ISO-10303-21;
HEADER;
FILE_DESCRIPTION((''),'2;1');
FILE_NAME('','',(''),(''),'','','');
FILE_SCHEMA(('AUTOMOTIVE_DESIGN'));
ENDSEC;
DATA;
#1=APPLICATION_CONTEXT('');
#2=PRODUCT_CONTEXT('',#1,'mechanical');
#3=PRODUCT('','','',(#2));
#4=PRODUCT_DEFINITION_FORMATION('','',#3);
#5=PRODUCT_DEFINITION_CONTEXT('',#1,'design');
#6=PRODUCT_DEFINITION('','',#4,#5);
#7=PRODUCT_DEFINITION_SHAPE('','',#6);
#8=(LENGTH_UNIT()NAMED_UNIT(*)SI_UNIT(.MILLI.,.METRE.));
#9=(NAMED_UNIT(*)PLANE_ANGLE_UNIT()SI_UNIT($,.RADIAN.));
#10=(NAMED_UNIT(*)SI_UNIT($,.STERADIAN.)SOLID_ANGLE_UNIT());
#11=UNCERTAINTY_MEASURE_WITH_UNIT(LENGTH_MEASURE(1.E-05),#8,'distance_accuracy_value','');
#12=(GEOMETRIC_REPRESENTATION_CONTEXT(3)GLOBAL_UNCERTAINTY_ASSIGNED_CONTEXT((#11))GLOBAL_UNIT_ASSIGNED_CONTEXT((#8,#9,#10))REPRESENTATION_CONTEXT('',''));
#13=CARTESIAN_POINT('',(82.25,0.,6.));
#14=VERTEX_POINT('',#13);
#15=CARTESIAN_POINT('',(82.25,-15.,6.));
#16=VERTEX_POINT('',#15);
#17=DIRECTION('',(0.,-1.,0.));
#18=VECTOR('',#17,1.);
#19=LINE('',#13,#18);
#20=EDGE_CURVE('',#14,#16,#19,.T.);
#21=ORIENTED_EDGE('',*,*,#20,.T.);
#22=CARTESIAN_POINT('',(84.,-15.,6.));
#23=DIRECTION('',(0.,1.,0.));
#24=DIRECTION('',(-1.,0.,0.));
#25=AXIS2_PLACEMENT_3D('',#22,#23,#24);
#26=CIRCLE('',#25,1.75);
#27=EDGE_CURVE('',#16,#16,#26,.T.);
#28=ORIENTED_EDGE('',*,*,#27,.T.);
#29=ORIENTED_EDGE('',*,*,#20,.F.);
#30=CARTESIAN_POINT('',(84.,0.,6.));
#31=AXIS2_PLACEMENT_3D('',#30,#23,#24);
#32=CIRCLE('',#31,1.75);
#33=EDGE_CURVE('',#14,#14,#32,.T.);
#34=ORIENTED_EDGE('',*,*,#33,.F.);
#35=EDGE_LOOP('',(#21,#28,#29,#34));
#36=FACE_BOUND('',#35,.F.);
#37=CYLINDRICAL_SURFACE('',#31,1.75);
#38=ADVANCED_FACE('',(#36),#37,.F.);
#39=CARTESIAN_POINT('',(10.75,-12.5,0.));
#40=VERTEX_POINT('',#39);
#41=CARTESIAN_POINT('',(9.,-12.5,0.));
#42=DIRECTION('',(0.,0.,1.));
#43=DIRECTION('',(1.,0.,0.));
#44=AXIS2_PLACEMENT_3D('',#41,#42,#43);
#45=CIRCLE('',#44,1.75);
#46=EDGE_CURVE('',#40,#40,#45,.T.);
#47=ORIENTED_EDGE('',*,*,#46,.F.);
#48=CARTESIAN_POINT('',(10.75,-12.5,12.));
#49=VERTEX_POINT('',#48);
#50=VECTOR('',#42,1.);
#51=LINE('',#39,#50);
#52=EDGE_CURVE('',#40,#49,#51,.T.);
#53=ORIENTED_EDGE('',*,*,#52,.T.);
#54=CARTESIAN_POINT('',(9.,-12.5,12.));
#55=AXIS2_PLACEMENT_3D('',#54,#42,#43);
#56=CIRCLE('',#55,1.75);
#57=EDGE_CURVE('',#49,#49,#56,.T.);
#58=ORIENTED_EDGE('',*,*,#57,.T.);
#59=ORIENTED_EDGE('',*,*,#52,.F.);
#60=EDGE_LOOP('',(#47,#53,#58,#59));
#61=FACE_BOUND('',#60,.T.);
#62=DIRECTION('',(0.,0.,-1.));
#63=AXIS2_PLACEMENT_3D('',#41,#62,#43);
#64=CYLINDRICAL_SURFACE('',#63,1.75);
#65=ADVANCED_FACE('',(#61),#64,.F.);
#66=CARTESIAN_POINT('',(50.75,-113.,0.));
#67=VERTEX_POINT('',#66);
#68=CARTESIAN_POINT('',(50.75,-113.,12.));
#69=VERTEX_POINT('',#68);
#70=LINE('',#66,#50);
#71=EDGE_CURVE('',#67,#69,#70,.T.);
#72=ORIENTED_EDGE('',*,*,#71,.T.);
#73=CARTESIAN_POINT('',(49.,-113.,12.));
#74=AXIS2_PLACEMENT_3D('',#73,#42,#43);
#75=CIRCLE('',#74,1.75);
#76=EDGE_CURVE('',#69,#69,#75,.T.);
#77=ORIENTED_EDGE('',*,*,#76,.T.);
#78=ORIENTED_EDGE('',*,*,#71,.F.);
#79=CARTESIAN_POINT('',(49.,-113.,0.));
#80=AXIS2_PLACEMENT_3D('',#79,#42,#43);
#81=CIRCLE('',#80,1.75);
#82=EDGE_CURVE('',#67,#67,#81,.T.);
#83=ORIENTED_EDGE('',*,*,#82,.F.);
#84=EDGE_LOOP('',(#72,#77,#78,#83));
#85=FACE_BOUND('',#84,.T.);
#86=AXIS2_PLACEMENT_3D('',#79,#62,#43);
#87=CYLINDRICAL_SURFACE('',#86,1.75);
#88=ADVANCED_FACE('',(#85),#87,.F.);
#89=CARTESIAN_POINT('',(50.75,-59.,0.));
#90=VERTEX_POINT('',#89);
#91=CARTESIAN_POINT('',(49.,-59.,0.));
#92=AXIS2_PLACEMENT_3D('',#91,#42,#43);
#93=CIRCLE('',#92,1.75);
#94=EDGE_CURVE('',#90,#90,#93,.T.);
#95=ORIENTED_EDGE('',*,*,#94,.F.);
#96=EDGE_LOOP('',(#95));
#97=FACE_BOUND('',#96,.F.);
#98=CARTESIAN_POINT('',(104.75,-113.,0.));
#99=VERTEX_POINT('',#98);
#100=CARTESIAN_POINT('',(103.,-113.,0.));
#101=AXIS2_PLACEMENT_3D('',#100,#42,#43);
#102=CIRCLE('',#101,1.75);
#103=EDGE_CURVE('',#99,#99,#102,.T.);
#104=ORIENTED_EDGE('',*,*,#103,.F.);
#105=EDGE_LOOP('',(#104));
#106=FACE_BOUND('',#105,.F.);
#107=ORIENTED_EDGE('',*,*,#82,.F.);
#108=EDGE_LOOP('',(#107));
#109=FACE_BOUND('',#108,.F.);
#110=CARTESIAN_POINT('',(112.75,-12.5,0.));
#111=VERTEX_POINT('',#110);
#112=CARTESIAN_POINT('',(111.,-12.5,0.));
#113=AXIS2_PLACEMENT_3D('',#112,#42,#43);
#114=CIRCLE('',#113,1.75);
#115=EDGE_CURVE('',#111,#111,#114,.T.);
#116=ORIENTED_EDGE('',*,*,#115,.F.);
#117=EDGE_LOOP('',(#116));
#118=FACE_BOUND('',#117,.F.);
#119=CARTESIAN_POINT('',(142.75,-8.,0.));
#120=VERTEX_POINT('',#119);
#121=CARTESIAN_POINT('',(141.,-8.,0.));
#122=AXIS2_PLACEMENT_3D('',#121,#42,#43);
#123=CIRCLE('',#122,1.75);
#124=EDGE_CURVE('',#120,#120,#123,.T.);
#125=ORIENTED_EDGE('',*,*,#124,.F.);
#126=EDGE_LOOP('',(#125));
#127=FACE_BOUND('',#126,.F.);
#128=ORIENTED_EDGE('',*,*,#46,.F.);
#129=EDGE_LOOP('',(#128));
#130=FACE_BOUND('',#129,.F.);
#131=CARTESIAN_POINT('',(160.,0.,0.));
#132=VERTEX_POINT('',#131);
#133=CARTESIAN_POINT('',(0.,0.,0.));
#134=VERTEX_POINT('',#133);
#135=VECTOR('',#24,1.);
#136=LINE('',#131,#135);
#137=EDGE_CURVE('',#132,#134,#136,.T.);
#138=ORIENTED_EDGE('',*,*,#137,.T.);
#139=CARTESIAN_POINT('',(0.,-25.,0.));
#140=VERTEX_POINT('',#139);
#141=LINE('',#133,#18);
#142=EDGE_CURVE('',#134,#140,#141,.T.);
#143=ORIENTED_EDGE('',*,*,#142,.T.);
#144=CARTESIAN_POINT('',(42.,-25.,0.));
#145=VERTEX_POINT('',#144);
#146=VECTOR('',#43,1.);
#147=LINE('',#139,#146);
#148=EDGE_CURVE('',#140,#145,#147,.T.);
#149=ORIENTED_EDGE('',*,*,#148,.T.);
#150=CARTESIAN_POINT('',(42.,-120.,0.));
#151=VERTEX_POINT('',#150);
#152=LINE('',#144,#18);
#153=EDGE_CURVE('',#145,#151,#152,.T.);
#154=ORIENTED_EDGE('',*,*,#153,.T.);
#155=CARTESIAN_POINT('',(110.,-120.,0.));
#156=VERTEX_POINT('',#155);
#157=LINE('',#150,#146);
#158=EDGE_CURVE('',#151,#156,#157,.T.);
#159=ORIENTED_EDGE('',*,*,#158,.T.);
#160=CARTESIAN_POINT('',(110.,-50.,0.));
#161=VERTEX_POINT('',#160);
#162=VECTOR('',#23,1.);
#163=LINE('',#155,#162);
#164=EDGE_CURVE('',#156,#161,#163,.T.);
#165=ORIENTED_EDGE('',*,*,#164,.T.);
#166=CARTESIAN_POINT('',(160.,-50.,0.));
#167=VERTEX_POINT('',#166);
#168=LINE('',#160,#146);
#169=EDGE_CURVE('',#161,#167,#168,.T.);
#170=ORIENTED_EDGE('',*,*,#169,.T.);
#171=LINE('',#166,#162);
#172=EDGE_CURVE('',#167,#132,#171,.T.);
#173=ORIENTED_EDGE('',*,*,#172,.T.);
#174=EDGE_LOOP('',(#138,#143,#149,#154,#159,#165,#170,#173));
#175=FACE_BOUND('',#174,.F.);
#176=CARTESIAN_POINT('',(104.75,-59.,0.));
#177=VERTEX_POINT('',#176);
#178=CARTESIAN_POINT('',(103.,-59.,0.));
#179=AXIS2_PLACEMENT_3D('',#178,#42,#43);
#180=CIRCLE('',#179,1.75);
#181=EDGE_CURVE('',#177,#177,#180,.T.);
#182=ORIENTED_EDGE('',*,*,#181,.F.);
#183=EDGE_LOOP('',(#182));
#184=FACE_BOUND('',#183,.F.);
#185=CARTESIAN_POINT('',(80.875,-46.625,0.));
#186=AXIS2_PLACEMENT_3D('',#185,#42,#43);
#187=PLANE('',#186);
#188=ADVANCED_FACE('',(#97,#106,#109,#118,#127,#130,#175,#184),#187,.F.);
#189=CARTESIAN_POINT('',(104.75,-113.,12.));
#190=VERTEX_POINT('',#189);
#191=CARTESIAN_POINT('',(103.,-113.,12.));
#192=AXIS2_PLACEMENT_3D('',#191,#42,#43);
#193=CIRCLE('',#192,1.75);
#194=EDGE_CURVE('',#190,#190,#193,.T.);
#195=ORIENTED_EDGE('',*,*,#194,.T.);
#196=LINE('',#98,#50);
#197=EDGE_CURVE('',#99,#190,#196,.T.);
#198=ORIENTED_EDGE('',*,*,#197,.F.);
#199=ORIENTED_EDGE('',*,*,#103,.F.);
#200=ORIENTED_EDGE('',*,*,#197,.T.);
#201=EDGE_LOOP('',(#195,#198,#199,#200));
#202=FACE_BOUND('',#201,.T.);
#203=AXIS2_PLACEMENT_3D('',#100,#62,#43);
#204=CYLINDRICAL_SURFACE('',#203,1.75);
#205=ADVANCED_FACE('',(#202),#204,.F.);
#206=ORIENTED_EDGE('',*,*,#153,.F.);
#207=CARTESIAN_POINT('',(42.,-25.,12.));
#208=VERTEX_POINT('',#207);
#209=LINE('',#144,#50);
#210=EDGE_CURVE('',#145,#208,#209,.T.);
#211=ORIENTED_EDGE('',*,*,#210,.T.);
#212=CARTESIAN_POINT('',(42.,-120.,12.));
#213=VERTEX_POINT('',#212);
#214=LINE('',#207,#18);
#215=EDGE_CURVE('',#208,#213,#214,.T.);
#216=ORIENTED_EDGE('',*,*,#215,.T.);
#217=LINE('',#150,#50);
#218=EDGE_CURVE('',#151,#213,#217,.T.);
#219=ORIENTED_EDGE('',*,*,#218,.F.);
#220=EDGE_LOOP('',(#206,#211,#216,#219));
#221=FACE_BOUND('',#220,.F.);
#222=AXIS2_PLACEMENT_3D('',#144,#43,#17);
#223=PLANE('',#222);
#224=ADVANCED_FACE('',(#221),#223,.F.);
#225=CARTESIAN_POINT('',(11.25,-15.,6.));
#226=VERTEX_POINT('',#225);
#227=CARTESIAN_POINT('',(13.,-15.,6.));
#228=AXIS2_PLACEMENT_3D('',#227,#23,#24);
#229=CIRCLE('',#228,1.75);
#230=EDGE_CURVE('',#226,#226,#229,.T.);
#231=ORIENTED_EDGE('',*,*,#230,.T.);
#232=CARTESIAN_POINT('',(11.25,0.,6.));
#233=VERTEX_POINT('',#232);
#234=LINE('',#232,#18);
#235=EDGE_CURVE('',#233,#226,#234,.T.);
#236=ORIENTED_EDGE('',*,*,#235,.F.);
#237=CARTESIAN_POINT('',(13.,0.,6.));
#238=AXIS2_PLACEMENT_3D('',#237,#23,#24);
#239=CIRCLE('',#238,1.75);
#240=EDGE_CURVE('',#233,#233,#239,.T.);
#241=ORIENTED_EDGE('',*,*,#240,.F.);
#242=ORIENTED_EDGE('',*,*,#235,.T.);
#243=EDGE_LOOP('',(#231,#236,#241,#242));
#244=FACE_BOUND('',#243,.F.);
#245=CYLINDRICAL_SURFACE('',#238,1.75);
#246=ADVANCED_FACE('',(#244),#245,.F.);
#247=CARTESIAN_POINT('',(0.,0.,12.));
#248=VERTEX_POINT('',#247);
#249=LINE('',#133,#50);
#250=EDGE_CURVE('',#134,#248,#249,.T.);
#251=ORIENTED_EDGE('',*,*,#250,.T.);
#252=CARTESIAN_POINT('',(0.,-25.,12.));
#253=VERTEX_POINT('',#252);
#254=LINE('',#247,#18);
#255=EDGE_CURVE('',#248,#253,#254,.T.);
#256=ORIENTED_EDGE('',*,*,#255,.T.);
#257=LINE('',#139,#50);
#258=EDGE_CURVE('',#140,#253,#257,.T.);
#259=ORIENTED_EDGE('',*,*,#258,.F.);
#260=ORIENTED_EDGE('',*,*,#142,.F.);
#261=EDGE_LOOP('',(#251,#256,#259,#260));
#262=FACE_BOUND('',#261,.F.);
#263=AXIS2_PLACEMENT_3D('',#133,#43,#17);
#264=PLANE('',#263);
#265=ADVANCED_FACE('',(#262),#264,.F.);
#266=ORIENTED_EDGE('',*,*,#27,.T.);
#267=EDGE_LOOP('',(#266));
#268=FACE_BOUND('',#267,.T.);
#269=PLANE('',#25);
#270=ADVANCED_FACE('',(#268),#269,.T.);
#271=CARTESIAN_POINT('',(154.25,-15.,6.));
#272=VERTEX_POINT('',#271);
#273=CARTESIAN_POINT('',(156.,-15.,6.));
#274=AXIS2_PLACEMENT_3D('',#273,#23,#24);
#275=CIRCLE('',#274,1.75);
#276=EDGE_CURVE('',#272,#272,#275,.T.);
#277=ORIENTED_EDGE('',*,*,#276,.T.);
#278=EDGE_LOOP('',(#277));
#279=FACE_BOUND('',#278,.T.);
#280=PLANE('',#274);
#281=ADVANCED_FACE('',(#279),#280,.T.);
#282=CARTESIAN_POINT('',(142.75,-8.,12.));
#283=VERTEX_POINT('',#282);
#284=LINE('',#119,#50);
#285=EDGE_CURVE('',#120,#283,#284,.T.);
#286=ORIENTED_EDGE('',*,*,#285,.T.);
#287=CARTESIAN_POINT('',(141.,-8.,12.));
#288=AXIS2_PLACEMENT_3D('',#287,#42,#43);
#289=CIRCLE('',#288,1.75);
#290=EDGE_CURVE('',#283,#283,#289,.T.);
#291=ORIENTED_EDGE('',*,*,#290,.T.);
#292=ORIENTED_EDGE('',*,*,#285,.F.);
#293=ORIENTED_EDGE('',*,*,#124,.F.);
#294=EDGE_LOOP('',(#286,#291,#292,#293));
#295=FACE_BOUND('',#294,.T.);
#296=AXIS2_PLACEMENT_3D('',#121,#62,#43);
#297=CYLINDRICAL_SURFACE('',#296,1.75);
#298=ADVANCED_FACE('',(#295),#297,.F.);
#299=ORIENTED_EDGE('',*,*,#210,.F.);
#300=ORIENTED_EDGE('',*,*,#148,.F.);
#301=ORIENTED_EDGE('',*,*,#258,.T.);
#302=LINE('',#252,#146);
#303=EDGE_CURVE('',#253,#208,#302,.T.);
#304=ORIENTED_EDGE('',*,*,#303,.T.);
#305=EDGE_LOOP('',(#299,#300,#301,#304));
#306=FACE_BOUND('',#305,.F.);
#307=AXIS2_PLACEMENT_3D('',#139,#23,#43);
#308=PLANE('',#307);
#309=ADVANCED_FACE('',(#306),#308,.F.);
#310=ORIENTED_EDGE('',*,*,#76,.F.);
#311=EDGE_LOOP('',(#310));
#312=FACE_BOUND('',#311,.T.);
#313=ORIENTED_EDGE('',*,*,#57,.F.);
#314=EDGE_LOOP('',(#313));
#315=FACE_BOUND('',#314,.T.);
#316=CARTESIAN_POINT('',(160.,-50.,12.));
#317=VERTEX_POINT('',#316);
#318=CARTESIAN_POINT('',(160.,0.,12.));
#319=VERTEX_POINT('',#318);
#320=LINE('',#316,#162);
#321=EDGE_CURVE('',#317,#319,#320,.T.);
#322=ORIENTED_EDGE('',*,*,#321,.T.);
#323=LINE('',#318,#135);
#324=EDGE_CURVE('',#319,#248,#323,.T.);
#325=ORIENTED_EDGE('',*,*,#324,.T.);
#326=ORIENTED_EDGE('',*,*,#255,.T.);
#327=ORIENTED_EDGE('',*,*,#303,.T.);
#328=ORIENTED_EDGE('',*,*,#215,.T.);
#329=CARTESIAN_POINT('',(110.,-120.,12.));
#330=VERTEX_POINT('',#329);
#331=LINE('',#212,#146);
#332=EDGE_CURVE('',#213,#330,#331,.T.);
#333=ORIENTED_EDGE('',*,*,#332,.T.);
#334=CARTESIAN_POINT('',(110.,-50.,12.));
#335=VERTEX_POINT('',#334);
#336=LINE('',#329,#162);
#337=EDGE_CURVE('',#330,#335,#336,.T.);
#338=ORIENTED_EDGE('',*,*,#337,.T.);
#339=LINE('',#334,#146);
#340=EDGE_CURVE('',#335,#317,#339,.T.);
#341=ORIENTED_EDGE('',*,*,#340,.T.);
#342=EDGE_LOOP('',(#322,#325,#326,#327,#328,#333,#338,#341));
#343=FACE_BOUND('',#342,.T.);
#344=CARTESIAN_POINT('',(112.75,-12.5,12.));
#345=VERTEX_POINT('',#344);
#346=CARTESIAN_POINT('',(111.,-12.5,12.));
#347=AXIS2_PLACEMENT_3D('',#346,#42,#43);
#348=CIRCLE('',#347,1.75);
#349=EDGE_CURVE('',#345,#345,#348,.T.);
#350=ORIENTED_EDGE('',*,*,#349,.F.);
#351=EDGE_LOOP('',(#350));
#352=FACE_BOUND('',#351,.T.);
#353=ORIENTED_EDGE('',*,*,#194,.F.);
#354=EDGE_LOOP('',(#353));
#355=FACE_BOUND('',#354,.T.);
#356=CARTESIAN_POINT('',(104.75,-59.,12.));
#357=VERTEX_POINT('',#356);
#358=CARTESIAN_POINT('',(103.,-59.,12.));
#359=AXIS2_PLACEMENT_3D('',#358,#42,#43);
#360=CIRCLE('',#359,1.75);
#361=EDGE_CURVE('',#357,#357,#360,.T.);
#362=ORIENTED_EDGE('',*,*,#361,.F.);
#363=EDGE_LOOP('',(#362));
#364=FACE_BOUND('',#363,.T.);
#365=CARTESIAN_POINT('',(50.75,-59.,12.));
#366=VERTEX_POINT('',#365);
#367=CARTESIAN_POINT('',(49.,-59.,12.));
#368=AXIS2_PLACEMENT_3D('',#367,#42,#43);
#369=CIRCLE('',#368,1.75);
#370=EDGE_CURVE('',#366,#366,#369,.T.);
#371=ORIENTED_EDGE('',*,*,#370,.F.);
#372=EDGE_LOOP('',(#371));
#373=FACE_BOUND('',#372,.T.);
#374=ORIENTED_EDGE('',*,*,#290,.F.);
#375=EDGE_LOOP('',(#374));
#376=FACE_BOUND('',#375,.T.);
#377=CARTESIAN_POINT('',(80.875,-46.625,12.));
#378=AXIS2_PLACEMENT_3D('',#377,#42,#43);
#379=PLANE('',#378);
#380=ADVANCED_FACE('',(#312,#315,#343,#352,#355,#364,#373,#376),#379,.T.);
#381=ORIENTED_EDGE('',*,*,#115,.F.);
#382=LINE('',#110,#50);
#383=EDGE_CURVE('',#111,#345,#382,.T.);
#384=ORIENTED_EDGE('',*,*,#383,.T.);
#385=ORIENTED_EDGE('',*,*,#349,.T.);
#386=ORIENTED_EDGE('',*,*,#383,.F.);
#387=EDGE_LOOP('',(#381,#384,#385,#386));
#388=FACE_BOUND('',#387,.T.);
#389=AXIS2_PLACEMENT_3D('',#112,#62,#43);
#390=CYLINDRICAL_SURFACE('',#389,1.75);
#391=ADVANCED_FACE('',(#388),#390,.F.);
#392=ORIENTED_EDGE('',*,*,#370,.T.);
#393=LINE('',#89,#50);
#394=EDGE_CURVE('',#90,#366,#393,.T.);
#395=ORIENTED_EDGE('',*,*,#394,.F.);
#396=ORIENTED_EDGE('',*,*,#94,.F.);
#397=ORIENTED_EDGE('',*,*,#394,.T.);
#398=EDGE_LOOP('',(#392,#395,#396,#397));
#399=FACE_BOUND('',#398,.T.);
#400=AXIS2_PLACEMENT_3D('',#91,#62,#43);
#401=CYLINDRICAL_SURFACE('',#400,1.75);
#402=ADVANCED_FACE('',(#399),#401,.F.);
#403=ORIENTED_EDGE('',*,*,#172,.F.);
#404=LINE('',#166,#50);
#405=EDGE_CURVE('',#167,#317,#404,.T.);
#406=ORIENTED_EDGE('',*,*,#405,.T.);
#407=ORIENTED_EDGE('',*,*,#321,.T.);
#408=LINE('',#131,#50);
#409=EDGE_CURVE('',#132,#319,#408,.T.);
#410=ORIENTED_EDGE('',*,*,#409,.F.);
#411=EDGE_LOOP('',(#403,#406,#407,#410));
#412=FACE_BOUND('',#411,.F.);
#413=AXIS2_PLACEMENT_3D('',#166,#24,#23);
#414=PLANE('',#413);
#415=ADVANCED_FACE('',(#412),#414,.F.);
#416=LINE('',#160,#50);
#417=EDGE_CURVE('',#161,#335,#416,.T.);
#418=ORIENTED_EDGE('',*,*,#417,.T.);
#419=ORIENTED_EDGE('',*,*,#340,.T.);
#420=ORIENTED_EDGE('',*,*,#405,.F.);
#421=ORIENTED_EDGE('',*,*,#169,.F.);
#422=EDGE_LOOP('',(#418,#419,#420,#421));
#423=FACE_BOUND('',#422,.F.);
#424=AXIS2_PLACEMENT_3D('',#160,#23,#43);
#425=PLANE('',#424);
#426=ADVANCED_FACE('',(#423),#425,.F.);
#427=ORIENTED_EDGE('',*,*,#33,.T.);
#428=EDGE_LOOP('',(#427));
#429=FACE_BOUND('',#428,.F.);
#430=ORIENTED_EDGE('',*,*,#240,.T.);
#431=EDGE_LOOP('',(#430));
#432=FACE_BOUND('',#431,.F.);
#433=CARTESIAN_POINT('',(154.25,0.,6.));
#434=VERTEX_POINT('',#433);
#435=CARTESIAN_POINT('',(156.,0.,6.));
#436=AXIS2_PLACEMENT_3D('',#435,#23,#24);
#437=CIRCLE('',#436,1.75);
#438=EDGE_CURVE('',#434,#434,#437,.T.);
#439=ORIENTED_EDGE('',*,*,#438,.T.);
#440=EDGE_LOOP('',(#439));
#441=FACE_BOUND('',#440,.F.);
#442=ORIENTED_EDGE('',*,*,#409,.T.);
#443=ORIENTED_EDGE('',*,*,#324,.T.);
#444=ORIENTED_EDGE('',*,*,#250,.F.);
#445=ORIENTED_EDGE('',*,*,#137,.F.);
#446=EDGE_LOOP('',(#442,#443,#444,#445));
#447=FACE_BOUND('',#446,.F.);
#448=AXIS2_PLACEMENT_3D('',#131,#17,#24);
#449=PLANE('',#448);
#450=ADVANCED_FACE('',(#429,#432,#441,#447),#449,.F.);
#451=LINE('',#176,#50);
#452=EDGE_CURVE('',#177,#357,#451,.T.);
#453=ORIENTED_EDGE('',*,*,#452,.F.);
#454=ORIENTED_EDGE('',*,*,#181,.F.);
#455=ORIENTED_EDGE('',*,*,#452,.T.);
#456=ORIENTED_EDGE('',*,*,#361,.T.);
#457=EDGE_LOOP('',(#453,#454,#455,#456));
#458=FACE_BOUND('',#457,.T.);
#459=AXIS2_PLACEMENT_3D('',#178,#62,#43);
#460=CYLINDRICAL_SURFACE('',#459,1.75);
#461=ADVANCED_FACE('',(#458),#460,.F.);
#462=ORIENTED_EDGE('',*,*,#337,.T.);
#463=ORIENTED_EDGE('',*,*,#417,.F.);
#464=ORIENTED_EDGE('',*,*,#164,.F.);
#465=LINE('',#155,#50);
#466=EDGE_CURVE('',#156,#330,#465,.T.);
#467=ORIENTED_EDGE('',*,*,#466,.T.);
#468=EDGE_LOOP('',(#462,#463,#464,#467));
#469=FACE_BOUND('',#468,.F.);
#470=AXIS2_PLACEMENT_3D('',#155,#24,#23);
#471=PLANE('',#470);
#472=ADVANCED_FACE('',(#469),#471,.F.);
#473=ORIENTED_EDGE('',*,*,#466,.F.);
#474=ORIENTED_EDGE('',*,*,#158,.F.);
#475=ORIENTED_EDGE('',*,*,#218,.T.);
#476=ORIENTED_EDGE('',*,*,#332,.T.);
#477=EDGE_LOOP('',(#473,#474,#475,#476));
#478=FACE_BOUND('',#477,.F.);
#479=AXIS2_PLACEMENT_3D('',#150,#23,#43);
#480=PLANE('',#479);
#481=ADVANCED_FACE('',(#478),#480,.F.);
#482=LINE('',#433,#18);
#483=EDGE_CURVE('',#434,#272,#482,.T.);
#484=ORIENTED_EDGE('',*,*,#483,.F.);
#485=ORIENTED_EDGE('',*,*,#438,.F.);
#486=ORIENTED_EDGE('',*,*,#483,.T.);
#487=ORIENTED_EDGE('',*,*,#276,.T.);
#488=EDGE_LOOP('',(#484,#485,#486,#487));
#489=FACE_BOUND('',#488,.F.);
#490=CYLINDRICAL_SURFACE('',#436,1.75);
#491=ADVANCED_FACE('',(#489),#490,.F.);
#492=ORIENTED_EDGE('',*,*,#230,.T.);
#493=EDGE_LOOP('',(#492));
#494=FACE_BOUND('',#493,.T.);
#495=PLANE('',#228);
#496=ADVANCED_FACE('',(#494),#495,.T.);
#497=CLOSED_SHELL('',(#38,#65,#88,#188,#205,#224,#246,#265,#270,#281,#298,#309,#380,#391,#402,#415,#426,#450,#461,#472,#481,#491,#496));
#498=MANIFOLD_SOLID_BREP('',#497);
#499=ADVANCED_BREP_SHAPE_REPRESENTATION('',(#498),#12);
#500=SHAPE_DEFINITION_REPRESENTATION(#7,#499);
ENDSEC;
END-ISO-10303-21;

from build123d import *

# Parameters (mm, degrees)
F0_R     = 1.75
F1_DEPTH = 12
F2_R     = 1.75
F3_DEPTH = 15


with BuildPart() as f1:
    # F0 (on Top) → F1 (new body)
    with BuildSketch(Plane.XY):
        Polygon((160, 0), (0, 0), (0, -25), (42, -25), (42, -120), (110, -120), (110, -50), (160, -50), align=None)
        with Locations((49, -113)):
            Circle(F0_R, mode=Mode.SUBTRACT)
        with Locations((103, -113)):
            Circle(F0_R, mode=Mode.SUBTRACT)
        with Locations((49, -59)):
            Circle(F0_R, mode=Mode.SUBTRACT)
        with Locations((9, -12.5)):
            Circle(F0_R, mode=Mode.SUBTRACT)
        with Locations((103, -59)):
            Circle(F0_R, mode=Mode.SUBTRACT)
        with Locations((111, -12.5)):
            Circle(F0_R, mode=Mode.SUBTRACT)
        with Locations((141, -8)):
            Circle(F0_R, mode=Mode.SUBTRACT)
    extrude(amount=F1_DEPTH)

    # F2 (on face) → F3 (cut)
    with BuildSketch(Plane(origin=(0, 0, 0), x_dir=(-1, 0, 0), z_dir=(0, 1, 0))):
        with Locations((-156, 6)):
            Circle(F2_R)
        with Locations((-84, 6)):
            Circle(F2_R)
        with Locations((-13, 6)):
            Circle(F2_R)
    extrude(amount=-F3_DEPTH, mode=Mode.SUBTRACT)


solid = f1.part
